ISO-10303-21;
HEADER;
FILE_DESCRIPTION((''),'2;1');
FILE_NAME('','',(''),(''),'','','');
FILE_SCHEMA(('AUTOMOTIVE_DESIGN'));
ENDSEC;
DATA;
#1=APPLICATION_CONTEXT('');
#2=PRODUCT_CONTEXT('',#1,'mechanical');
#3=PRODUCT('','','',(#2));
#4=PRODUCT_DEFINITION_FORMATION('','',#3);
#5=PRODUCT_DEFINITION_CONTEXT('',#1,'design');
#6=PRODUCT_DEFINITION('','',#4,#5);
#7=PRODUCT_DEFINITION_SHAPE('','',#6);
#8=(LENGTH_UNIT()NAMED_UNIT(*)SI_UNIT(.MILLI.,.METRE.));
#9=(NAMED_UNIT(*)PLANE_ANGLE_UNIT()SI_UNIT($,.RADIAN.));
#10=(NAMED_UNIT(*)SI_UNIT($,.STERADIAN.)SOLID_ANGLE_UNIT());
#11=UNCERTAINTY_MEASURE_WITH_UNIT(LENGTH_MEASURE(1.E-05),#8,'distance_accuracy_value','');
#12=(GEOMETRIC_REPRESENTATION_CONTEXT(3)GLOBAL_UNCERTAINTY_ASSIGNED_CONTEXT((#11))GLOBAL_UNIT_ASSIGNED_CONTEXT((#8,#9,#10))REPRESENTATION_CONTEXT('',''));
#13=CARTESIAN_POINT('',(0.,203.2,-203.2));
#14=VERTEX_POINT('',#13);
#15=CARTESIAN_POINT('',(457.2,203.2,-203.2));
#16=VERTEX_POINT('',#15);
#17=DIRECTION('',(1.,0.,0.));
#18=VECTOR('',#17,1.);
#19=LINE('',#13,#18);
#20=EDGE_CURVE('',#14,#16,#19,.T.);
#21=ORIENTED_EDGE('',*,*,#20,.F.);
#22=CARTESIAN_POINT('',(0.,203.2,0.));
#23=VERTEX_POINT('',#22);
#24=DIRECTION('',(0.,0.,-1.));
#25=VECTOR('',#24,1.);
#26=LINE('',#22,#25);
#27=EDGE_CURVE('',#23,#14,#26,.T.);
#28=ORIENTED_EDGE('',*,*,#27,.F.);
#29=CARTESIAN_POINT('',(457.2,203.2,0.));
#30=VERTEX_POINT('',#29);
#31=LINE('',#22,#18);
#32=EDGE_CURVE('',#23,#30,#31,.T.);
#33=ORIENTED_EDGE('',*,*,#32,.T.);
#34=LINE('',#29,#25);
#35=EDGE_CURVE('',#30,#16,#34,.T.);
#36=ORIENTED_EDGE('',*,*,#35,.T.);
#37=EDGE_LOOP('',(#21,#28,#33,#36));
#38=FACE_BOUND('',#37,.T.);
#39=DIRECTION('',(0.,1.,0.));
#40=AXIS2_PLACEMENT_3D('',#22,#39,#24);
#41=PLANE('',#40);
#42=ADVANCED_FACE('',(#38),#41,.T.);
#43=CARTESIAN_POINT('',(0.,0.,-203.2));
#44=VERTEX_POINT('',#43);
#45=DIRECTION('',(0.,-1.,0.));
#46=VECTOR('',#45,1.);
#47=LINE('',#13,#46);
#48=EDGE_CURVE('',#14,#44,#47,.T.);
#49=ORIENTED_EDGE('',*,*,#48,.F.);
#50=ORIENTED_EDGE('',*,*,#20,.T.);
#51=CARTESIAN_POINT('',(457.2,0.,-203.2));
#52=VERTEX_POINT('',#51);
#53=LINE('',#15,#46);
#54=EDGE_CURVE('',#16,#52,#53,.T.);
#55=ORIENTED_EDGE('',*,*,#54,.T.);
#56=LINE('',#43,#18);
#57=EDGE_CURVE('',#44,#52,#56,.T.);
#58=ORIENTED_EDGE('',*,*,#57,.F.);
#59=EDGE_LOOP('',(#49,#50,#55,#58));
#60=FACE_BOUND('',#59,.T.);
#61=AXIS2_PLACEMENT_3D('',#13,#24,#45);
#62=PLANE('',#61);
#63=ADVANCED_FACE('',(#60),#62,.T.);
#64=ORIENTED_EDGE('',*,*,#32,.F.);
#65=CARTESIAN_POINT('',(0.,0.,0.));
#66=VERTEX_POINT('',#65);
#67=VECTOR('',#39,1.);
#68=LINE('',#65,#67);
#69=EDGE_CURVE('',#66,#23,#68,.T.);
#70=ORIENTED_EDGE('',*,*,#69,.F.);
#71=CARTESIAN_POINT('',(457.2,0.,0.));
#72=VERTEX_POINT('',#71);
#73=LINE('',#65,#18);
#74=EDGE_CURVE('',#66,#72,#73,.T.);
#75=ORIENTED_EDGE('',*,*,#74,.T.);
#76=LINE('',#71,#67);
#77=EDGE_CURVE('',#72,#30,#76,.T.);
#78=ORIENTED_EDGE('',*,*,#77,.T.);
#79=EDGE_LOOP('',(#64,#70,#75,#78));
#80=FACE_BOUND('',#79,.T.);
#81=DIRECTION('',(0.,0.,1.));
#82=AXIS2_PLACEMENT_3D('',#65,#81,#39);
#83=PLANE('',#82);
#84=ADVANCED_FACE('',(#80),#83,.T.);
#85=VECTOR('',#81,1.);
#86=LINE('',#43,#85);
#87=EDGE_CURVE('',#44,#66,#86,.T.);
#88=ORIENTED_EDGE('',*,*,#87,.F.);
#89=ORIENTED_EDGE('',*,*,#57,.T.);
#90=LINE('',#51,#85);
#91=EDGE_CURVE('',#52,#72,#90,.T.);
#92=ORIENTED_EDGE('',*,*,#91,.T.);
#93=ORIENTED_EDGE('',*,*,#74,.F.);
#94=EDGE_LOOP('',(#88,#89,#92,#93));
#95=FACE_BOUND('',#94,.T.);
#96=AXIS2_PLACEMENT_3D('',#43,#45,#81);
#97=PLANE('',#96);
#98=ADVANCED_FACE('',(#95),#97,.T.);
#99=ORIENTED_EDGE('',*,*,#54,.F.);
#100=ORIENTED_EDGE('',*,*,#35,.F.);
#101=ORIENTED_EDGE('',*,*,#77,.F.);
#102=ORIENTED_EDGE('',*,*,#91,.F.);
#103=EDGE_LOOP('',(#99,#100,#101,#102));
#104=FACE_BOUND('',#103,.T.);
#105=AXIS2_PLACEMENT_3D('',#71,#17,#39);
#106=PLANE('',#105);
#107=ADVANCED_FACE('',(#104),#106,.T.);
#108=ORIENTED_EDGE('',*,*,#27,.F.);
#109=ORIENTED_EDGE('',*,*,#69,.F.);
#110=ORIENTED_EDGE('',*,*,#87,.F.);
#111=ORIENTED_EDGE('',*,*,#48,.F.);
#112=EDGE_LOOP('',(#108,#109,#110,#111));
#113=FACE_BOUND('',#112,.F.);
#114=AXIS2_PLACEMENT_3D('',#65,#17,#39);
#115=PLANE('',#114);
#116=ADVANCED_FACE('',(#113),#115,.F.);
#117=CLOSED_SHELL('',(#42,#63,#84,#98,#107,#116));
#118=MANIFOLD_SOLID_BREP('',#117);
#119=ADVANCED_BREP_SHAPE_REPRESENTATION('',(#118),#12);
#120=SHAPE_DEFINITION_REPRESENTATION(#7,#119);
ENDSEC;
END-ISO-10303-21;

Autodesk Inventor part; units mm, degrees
ref_plane "YZ Plane" through (0, 0, 0) normal (1, 0, 0) x (0, 1, 0)
ref_plane "XZ Plane" through (0, 0, 0) normal (0, 1, 0) x (-1, 0, 0)
ref_plane "XY Plane" through (0, 0, 0) normal (0, 0, 1) x (1, 0, 0)
sketch "Sketch1" plane through (0, 0, 0) normal (1, 0, 0) x (0, 1, 0)
  line L0 (0, 0) -> (203.2, 0)
  line L1 (203.2, 0) -> (203.2, -203.2)
  line L2 (203.2, -203.2) -> (0, -203.2)
  line L3 (0, -203.2) -> (0, 0)
  dimension "d0" = 203.2
  dimension "d1" = 203.2
extrude "Extrusion1" add sketch "Sketch1" along normal blind 457.2
properties part number "CinderBlock"
